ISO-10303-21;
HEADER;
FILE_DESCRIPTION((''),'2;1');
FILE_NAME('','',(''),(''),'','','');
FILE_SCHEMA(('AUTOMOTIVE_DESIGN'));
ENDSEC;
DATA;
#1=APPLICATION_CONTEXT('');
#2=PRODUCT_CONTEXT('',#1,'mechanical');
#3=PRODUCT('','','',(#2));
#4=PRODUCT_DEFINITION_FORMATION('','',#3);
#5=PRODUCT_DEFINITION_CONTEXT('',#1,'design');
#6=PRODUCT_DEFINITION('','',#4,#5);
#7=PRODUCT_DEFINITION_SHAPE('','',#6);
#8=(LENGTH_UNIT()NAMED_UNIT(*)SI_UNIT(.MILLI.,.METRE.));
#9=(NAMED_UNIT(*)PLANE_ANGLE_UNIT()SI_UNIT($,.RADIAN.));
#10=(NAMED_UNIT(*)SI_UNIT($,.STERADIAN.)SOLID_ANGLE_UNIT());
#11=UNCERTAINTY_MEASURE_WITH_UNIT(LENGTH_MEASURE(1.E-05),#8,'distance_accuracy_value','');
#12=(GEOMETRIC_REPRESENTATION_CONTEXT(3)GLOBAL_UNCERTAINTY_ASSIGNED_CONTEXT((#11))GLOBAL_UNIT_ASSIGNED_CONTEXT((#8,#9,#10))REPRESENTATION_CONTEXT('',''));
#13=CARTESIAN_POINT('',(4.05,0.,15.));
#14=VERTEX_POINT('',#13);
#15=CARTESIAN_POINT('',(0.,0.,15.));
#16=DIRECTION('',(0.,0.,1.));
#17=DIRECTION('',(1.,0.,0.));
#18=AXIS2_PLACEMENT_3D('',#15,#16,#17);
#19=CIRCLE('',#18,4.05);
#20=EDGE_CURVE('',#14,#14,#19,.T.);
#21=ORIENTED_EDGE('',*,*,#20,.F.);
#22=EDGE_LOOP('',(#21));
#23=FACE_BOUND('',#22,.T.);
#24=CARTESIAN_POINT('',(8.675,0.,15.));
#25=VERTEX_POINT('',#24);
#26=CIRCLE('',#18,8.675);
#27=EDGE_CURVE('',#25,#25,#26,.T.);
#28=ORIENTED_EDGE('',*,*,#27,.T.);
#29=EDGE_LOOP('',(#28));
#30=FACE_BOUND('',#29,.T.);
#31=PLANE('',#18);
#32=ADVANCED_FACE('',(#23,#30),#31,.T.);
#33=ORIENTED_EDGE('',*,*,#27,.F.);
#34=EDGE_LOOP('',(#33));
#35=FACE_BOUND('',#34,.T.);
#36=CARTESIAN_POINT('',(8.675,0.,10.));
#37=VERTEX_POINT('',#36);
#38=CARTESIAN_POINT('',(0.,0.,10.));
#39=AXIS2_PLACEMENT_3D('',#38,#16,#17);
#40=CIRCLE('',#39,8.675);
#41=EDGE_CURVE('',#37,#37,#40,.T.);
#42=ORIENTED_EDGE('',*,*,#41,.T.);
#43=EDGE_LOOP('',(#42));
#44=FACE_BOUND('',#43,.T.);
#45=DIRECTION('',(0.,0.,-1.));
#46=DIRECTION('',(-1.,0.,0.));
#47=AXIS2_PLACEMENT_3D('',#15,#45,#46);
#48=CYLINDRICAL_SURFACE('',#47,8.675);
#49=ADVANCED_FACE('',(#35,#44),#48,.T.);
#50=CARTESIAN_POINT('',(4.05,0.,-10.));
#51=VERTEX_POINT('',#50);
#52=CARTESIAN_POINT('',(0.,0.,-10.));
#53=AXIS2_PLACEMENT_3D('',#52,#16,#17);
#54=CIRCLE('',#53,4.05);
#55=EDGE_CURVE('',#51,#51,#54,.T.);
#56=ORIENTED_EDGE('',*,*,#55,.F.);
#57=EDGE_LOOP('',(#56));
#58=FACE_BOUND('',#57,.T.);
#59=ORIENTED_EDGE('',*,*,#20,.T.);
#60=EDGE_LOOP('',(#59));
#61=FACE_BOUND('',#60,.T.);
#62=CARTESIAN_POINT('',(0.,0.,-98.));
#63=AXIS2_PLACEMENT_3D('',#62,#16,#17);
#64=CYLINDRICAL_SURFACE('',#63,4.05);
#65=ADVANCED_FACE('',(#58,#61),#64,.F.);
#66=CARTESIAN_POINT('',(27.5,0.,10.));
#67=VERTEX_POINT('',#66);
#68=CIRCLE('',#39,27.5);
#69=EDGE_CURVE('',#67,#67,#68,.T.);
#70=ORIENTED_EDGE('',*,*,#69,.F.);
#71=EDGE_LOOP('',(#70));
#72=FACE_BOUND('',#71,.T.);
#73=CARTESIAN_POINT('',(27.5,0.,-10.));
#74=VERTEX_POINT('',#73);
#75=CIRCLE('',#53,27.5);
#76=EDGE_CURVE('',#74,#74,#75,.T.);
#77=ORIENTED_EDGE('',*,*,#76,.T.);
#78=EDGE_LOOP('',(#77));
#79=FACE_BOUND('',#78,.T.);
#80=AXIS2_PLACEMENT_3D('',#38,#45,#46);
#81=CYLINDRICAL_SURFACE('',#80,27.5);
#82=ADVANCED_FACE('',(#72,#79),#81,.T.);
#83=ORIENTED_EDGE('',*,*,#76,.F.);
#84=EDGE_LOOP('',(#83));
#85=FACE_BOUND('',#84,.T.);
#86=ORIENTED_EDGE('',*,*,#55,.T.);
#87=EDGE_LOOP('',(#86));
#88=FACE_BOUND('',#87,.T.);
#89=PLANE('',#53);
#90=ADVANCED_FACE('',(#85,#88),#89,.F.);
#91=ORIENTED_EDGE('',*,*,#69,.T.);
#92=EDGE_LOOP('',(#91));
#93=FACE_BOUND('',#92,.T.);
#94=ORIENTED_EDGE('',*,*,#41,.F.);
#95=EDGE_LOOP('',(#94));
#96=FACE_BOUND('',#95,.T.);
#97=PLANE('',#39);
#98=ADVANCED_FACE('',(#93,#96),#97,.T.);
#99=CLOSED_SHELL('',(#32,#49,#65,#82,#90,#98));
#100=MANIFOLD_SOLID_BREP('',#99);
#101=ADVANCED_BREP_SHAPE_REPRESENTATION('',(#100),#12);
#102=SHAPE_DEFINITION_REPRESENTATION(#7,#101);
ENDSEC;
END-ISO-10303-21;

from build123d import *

# Parameters (mm, degrees)
CROQUIS1_R              = 27.5
SALIENTE_EXTRUIR1_DEPTH = 10
CROQUIS4_R              = 4.05
CORTAR_EXTRUIR2_DEPTH   = 108
CROQUIS5_R              = 8.675
SALIENTE_EXTRUIR2_DEPTH = 5
CROQUIS6_R              = 4.05
CORTAR_EXTRUIR3_DEPTH   = 122


with BuildPart() as part:
    # Croquis1 → Saliente-Extruir1 (new, symmetric)
    with BuildSketch(Plane.XY):
        Circle(CROQUIS1_R)
    extrude(amount=SALIENTE_EXTRUIR1_DEPTH, both=True)

    # Croquis4 → Cortar-Extruir2 (cut)
    with BuildSketch(Plane.XY.offset(10)):
        Circle(CROQUIS4_R)
    extrude(amount=-CORTAR_EXTRUIR2_DEPTH, mode=Mode.SUBTRACT)

    # Croquis5 → Saliente-Extruir2 (add)
    with BuildSketch(Plane.XY.offset(10)):
        Circle(CROQUIS5_R)
    extrude(amount=SALIENTE_EXTRUIR2_DEPTH)

    # Croquis6 → Cortar-Extruir3 (cut, symmetric)
    with BuildSketch(Plane.XY.offset(15)):
        Circle(CROQUIS6_R)
    extrude(amount=CORTAR_EXTRUIR3_DEPTH, both=True, mode=Mode.SUBTRACT)


solid = part.part
